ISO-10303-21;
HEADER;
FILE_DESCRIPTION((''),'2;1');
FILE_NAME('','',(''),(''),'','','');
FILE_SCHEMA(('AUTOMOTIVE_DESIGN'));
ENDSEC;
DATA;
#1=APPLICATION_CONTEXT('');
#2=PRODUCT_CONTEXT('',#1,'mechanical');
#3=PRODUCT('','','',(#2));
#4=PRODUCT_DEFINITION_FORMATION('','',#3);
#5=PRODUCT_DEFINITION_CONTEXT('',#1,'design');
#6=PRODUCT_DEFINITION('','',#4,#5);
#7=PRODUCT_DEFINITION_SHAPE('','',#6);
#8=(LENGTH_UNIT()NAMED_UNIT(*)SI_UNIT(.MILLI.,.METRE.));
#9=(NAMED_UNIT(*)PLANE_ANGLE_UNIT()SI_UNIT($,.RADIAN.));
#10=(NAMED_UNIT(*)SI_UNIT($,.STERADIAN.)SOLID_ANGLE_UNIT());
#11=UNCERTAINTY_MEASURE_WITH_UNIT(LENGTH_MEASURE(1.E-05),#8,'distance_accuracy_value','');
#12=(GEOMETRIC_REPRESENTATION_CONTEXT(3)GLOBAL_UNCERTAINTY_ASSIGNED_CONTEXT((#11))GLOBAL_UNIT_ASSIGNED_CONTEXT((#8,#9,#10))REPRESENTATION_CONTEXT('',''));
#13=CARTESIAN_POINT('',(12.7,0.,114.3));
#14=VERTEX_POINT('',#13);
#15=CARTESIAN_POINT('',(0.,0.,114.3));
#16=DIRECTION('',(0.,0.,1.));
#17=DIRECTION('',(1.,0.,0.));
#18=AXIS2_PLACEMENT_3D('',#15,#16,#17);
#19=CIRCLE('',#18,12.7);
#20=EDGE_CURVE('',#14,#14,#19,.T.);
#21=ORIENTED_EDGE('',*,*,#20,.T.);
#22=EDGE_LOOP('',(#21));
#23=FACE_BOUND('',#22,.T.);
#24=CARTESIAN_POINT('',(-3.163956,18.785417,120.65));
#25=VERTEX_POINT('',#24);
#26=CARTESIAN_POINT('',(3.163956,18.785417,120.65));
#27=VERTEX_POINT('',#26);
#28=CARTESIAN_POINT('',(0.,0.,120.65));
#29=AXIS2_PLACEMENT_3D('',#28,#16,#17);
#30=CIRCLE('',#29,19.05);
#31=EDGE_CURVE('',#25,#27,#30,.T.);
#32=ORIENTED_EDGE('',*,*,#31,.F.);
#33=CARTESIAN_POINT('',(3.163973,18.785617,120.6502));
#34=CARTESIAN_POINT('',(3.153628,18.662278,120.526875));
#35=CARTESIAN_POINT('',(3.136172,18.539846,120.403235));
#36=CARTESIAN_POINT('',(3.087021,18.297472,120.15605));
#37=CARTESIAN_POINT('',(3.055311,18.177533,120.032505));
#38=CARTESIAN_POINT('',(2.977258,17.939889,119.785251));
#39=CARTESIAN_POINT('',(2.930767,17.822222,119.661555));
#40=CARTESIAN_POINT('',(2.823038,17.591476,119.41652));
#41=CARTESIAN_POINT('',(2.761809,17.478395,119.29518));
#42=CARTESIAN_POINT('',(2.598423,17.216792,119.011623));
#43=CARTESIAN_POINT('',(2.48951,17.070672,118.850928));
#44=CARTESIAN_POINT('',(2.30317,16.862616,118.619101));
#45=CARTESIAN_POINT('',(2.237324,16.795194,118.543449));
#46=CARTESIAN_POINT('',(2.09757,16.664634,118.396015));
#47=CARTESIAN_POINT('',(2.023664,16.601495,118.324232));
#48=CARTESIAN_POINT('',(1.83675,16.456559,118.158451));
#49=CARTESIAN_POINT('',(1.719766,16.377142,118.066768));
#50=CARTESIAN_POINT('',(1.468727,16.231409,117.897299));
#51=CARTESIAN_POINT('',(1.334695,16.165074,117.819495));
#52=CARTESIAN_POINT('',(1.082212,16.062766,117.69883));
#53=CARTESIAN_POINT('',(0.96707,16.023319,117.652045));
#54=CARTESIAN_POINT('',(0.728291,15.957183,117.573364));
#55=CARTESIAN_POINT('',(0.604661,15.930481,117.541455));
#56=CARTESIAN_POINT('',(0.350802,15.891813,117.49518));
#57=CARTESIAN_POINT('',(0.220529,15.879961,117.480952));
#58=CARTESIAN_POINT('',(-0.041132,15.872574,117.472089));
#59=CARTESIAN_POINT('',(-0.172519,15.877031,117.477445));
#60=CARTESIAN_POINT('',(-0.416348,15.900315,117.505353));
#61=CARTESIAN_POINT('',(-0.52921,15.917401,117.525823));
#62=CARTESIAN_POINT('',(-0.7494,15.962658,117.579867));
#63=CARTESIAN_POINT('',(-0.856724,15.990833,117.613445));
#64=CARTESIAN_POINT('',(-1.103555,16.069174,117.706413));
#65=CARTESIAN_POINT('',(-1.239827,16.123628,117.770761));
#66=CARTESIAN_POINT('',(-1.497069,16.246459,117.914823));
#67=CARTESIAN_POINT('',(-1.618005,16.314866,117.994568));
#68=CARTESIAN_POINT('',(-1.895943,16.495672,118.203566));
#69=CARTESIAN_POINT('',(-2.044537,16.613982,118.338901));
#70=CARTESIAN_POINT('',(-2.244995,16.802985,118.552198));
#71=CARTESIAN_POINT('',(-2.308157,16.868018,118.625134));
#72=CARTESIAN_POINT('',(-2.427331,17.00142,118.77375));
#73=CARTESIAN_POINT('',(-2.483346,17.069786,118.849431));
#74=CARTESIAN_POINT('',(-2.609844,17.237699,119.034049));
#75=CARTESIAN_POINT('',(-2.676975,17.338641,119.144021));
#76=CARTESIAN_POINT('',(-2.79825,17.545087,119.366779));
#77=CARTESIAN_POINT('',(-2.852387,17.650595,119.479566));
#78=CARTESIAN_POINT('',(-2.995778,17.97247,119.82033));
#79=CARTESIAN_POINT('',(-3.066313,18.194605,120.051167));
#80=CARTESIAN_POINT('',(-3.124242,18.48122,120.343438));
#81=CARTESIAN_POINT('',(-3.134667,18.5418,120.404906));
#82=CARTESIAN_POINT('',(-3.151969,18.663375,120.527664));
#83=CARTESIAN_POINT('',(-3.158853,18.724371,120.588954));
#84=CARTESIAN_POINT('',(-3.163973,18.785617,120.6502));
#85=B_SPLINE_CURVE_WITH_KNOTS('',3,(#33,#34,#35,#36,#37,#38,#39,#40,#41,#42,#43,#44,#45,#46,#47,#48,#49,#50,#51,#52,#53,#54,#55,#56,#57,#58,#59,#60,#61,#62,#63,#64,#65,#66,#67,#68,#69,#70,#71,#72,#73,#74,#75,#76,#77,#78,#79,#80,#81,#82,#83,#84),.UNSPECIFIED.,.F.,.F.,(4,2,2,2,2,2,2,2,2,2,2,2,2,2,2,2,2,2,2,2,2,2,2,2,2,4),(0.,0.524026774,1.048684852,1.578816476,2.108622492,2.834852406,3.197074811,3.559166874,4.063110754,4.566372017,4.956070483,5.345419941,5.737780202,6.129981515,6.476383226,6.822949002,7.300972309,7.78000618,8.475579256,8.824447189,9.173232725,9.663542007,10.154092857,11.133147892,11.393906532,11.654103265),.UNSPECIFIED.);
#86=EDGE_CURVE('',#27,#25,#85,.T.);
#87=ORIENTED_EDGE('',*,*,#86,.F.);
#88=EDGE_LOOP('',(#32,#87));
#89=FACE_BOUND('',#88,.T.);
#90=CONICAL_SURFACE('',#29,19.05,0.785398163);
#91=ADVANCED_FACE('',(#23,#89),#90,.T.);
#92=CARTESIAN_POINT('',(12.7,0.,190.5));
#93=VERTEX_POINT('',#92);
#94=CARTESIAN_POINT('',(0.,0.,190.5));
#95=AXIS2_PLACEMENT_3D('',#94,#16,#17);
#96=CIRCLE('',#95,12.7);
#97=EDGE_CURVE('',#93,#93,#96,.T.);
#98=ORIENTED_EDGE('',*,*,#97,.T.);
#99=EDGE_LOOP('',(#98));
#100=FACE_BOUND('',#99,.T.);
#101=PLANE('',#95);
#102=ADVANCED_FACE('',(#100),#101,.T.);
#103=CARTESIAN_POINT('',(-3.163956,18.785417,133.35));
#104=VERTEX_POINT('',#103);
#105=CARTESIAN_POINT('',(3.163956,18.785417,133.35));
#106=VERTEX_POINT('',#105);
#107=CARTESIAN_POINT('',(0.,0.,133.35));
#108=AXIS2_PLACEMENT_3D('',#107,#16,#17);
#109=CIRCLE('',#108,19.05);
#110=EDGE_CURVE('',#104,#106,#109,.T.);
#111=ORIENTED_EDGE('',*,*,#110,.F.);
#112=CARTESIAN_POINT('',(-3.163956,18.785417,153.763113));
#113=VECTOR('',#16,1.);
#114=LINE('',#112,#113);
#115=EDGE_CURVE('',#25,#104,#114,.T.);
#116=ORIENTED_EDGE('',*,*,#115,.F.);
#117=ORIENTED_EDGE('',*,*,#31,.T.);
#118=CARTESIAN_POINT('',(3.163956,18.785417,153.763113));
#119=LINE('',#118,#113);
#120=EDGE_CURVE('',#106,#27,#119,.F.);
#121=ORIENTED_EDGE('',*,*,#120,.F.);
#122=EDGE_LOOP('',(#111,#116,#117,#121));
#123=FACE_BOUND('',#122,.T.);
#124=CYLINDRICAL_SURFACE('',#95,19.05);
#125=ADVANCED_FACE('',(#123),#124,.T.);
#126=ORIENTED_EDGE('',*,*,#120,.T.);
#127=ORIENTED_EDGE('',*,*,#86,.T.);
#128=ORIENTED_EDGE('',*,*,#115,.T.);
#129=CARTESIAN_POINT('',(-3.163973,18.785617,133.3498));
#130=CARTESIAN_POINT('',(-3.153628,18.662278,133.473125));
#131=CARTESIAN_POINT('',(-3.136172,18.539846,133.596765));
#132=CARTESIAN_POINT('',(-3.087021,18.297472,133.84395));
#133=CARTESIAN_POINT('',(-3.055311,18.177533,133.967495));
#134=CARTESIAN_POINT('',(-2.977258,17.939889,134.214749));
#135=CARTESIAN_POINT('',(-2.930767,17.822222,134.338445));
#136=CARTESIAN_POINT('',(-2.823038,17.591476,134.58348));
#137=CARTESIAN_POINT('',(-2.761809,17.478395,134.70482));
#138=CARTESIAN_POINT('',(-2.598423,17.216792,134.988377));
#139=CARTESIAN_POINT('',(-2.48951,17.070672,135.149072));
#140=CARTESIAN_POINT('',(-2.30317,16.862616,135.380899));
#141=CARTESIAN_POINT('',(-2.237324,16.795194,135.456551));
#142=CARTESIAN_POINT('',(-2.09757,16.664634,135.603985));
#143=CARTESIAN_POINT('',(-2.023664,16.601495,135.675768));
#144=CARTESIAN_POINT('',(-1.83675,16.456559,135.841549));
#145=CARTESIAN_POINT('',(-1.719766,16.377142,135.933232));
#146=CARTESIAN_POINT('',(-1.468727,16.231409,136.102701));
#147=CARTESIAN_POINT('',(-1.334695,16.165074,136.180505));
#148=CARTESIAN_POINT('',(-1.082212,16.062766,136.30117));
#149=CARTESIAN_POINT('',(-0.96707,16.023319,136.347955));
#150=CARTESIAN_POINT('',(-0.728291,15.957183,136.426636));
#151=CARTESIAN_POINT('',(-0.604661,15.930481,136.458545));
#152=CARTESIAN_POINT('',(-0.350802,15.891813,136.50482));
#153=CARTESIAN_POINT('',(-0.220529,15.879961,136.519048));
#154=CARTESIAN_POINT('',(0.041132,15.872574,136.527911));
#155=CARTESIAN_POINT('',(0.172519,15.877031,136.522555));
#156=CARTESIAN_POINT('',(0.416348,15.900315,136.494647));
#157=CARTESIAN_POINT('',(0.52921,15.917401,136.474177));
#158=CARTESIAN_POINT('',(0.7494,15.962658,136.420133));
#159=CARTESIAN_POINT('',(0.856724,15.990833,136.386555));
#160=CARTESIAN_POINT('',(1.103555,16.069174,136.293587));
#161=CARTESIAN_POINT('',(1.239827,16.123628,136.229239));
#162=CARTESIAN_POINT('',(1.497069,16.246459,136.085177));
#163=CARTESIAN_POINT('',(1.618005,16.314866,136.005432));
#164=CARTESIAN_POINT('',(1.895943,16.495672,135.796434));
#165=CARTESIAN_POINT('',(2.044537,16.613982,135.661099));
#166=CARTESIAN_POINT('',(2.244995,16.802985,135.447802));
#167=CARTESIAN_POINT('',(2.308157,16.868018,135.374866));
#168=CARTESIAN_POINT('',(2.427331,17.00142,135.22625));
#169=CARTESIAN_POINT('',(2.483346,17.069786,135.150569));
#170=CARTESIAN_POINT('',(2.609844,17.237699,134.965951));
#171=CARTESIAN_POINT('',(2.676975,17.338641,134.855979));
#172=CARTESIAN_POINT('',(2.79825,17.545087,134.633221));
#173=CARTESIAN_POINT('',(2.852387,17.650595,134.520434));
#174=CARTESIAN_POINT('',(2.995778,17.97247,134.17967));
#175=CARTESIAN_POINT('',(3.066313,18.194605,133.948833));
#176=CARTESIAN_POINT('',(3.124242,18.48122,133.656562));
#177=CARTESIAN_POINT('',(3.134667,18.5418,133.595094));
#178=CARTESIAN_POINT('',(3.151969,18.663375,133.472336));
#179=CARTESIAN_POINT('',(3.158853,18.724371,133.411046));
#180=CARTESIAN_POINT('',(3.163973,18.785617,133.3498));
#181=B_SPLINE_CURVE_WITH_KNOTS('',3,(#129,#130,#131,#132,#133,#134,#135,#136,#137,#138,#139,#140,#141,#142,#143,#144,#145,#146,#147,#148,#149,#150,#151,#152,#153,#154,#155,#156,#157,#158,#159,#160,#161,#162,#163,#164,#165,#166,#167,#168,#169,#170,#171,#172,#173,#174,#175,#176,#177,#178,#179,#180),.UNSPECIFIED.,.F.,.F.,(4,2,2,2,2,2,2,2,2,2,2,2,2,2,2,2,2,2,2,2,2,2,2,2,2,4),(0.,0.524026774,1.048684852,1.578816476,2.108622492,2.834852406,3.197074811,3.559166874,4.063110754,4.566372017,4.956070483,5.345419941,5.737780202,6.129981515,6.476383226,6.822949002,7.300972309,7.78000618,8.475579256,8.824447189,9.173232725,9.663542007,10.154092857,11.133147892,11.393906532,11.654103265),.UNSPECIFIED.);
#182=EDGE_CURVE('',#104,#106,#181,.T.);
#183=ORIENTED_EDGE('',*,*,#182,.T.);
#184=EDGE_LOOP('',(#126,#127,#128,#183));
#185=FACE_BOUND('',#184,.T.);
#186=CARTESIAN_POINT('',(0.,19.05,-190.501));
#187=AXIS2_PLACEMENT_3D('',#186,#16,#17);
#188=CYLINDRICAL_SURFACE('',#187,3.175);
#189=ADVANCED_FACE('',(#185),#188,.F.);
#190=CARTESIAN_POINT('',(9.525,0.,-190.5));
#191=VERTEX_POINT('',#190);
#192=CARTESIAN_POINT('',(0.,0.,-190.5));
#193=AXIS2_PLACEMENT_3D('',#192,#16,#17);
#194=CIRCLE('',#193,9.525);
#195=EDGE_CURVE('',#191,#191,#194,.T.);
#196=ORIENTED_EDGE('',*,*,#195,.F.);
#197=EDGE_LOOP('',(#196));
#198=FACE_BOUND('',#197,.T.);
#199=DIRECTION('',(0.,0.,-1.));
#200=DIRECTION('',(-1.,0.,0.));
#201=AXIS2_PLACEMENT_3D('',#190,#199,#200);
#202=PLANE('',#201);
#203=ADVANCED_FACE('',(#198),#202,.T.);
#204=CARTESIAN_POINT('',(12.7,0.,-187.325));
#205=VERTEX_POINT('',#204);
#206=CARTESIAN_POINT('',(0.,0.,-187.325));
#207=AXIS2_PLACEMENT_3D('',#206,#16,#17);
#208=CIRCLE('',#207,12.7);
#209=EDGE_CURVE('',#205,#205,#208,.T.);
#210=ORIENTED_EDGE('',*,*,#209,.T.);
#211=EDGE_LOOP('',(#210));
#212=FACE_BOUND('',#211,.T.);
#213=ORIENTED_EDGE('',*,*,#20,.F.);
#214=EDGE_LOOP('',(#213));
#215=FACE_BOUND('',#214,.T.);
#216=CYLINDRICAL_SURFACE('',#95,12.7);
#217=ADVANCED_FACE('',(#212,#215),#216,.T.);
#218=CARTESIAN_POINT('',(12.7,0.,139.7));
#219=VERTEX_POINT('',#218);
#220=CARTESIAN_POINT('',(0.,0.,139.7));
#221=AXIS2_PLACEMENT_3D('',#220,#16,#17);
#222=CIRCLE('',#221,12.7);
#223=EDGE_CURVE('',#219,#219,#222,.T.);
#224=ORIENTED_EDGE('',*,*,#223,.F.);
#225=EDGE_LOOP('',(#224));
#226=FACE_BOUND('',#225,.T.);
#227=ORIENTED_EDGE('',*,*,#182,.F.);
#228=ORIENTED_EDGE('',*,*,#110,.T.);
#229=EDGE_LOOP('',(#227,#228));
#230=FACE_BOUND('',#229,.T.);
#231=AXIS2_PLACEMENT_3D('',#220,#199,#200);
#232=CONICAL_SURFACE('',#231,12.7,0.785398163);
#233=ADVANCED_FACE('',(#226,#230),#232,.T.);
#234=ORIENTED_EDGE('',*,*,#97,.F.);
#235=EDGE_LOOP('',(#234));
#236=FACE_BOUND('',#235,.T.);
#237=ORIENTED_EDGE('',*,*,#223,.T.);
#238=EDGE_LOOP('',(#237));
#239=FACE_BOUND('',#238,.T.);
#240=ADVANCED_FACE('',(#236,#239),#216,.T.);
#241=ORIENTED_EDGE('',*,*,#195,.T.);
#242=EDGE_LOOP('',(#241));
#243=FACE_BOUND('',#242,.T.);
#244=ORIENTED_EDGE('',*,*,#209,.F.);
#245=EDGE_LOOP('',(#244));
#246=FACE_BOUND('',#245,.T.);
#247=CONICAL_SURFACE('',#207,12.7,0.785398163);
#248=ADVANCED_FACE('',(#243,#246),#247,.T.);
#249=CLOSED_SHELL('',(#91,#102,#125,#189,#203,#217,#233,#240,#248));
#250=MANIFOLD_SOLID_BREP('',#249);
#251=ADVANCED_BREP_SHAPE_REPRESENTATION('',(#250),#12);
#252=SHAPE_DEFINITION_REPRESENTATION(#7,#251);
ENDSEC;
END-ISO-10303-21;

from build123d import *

# Parameters (mm, degrees)
CUT_EXTRUDE1_REACH = 383
SKETCH4_R          = 3.175


with BuildPart() as part:
    # Sketch2 → Revolve1 (revolve)
    with BuildSketch(Plane(origin=(0, 0, 0), x_dir=(1, 0, 0), z_dir=(0, 1, 0))):
        Polygon((0, -190.5), (12.7, -190.5), (12.7, -139.7), (19.05, -133.35), (19.05, -120.65), (12.7, -114.3), (12.7, 187.325), (9.525, 190.5), (0, 190.5), align=None)
    revolve(axis=Axis((0, 0, 190.5), (0, 0, -1)))

    # Sketch4 → Cut-Extrude1 (cut, up to next)
    with BuildSketch(Plane.XY.offset(190.5), mode=Mode.PRIVATE) as cut_extrude1_sk1:
        with Locations((0, 19.05)):
            Circle(SKETCH4_R)
    cut_extrude1_tool1 = extrude(cut_extrude1_sk1.sketch, amount=-CUT_EXTRUDE1_REACH, mode=Mode.PRIVATE) & part.part
    add(cut_extrude1_tool1.solids().sort_by_distance((0, 19.05, 190.5))[0], mode=Mode.SUBTRACT)


solid = part.part
